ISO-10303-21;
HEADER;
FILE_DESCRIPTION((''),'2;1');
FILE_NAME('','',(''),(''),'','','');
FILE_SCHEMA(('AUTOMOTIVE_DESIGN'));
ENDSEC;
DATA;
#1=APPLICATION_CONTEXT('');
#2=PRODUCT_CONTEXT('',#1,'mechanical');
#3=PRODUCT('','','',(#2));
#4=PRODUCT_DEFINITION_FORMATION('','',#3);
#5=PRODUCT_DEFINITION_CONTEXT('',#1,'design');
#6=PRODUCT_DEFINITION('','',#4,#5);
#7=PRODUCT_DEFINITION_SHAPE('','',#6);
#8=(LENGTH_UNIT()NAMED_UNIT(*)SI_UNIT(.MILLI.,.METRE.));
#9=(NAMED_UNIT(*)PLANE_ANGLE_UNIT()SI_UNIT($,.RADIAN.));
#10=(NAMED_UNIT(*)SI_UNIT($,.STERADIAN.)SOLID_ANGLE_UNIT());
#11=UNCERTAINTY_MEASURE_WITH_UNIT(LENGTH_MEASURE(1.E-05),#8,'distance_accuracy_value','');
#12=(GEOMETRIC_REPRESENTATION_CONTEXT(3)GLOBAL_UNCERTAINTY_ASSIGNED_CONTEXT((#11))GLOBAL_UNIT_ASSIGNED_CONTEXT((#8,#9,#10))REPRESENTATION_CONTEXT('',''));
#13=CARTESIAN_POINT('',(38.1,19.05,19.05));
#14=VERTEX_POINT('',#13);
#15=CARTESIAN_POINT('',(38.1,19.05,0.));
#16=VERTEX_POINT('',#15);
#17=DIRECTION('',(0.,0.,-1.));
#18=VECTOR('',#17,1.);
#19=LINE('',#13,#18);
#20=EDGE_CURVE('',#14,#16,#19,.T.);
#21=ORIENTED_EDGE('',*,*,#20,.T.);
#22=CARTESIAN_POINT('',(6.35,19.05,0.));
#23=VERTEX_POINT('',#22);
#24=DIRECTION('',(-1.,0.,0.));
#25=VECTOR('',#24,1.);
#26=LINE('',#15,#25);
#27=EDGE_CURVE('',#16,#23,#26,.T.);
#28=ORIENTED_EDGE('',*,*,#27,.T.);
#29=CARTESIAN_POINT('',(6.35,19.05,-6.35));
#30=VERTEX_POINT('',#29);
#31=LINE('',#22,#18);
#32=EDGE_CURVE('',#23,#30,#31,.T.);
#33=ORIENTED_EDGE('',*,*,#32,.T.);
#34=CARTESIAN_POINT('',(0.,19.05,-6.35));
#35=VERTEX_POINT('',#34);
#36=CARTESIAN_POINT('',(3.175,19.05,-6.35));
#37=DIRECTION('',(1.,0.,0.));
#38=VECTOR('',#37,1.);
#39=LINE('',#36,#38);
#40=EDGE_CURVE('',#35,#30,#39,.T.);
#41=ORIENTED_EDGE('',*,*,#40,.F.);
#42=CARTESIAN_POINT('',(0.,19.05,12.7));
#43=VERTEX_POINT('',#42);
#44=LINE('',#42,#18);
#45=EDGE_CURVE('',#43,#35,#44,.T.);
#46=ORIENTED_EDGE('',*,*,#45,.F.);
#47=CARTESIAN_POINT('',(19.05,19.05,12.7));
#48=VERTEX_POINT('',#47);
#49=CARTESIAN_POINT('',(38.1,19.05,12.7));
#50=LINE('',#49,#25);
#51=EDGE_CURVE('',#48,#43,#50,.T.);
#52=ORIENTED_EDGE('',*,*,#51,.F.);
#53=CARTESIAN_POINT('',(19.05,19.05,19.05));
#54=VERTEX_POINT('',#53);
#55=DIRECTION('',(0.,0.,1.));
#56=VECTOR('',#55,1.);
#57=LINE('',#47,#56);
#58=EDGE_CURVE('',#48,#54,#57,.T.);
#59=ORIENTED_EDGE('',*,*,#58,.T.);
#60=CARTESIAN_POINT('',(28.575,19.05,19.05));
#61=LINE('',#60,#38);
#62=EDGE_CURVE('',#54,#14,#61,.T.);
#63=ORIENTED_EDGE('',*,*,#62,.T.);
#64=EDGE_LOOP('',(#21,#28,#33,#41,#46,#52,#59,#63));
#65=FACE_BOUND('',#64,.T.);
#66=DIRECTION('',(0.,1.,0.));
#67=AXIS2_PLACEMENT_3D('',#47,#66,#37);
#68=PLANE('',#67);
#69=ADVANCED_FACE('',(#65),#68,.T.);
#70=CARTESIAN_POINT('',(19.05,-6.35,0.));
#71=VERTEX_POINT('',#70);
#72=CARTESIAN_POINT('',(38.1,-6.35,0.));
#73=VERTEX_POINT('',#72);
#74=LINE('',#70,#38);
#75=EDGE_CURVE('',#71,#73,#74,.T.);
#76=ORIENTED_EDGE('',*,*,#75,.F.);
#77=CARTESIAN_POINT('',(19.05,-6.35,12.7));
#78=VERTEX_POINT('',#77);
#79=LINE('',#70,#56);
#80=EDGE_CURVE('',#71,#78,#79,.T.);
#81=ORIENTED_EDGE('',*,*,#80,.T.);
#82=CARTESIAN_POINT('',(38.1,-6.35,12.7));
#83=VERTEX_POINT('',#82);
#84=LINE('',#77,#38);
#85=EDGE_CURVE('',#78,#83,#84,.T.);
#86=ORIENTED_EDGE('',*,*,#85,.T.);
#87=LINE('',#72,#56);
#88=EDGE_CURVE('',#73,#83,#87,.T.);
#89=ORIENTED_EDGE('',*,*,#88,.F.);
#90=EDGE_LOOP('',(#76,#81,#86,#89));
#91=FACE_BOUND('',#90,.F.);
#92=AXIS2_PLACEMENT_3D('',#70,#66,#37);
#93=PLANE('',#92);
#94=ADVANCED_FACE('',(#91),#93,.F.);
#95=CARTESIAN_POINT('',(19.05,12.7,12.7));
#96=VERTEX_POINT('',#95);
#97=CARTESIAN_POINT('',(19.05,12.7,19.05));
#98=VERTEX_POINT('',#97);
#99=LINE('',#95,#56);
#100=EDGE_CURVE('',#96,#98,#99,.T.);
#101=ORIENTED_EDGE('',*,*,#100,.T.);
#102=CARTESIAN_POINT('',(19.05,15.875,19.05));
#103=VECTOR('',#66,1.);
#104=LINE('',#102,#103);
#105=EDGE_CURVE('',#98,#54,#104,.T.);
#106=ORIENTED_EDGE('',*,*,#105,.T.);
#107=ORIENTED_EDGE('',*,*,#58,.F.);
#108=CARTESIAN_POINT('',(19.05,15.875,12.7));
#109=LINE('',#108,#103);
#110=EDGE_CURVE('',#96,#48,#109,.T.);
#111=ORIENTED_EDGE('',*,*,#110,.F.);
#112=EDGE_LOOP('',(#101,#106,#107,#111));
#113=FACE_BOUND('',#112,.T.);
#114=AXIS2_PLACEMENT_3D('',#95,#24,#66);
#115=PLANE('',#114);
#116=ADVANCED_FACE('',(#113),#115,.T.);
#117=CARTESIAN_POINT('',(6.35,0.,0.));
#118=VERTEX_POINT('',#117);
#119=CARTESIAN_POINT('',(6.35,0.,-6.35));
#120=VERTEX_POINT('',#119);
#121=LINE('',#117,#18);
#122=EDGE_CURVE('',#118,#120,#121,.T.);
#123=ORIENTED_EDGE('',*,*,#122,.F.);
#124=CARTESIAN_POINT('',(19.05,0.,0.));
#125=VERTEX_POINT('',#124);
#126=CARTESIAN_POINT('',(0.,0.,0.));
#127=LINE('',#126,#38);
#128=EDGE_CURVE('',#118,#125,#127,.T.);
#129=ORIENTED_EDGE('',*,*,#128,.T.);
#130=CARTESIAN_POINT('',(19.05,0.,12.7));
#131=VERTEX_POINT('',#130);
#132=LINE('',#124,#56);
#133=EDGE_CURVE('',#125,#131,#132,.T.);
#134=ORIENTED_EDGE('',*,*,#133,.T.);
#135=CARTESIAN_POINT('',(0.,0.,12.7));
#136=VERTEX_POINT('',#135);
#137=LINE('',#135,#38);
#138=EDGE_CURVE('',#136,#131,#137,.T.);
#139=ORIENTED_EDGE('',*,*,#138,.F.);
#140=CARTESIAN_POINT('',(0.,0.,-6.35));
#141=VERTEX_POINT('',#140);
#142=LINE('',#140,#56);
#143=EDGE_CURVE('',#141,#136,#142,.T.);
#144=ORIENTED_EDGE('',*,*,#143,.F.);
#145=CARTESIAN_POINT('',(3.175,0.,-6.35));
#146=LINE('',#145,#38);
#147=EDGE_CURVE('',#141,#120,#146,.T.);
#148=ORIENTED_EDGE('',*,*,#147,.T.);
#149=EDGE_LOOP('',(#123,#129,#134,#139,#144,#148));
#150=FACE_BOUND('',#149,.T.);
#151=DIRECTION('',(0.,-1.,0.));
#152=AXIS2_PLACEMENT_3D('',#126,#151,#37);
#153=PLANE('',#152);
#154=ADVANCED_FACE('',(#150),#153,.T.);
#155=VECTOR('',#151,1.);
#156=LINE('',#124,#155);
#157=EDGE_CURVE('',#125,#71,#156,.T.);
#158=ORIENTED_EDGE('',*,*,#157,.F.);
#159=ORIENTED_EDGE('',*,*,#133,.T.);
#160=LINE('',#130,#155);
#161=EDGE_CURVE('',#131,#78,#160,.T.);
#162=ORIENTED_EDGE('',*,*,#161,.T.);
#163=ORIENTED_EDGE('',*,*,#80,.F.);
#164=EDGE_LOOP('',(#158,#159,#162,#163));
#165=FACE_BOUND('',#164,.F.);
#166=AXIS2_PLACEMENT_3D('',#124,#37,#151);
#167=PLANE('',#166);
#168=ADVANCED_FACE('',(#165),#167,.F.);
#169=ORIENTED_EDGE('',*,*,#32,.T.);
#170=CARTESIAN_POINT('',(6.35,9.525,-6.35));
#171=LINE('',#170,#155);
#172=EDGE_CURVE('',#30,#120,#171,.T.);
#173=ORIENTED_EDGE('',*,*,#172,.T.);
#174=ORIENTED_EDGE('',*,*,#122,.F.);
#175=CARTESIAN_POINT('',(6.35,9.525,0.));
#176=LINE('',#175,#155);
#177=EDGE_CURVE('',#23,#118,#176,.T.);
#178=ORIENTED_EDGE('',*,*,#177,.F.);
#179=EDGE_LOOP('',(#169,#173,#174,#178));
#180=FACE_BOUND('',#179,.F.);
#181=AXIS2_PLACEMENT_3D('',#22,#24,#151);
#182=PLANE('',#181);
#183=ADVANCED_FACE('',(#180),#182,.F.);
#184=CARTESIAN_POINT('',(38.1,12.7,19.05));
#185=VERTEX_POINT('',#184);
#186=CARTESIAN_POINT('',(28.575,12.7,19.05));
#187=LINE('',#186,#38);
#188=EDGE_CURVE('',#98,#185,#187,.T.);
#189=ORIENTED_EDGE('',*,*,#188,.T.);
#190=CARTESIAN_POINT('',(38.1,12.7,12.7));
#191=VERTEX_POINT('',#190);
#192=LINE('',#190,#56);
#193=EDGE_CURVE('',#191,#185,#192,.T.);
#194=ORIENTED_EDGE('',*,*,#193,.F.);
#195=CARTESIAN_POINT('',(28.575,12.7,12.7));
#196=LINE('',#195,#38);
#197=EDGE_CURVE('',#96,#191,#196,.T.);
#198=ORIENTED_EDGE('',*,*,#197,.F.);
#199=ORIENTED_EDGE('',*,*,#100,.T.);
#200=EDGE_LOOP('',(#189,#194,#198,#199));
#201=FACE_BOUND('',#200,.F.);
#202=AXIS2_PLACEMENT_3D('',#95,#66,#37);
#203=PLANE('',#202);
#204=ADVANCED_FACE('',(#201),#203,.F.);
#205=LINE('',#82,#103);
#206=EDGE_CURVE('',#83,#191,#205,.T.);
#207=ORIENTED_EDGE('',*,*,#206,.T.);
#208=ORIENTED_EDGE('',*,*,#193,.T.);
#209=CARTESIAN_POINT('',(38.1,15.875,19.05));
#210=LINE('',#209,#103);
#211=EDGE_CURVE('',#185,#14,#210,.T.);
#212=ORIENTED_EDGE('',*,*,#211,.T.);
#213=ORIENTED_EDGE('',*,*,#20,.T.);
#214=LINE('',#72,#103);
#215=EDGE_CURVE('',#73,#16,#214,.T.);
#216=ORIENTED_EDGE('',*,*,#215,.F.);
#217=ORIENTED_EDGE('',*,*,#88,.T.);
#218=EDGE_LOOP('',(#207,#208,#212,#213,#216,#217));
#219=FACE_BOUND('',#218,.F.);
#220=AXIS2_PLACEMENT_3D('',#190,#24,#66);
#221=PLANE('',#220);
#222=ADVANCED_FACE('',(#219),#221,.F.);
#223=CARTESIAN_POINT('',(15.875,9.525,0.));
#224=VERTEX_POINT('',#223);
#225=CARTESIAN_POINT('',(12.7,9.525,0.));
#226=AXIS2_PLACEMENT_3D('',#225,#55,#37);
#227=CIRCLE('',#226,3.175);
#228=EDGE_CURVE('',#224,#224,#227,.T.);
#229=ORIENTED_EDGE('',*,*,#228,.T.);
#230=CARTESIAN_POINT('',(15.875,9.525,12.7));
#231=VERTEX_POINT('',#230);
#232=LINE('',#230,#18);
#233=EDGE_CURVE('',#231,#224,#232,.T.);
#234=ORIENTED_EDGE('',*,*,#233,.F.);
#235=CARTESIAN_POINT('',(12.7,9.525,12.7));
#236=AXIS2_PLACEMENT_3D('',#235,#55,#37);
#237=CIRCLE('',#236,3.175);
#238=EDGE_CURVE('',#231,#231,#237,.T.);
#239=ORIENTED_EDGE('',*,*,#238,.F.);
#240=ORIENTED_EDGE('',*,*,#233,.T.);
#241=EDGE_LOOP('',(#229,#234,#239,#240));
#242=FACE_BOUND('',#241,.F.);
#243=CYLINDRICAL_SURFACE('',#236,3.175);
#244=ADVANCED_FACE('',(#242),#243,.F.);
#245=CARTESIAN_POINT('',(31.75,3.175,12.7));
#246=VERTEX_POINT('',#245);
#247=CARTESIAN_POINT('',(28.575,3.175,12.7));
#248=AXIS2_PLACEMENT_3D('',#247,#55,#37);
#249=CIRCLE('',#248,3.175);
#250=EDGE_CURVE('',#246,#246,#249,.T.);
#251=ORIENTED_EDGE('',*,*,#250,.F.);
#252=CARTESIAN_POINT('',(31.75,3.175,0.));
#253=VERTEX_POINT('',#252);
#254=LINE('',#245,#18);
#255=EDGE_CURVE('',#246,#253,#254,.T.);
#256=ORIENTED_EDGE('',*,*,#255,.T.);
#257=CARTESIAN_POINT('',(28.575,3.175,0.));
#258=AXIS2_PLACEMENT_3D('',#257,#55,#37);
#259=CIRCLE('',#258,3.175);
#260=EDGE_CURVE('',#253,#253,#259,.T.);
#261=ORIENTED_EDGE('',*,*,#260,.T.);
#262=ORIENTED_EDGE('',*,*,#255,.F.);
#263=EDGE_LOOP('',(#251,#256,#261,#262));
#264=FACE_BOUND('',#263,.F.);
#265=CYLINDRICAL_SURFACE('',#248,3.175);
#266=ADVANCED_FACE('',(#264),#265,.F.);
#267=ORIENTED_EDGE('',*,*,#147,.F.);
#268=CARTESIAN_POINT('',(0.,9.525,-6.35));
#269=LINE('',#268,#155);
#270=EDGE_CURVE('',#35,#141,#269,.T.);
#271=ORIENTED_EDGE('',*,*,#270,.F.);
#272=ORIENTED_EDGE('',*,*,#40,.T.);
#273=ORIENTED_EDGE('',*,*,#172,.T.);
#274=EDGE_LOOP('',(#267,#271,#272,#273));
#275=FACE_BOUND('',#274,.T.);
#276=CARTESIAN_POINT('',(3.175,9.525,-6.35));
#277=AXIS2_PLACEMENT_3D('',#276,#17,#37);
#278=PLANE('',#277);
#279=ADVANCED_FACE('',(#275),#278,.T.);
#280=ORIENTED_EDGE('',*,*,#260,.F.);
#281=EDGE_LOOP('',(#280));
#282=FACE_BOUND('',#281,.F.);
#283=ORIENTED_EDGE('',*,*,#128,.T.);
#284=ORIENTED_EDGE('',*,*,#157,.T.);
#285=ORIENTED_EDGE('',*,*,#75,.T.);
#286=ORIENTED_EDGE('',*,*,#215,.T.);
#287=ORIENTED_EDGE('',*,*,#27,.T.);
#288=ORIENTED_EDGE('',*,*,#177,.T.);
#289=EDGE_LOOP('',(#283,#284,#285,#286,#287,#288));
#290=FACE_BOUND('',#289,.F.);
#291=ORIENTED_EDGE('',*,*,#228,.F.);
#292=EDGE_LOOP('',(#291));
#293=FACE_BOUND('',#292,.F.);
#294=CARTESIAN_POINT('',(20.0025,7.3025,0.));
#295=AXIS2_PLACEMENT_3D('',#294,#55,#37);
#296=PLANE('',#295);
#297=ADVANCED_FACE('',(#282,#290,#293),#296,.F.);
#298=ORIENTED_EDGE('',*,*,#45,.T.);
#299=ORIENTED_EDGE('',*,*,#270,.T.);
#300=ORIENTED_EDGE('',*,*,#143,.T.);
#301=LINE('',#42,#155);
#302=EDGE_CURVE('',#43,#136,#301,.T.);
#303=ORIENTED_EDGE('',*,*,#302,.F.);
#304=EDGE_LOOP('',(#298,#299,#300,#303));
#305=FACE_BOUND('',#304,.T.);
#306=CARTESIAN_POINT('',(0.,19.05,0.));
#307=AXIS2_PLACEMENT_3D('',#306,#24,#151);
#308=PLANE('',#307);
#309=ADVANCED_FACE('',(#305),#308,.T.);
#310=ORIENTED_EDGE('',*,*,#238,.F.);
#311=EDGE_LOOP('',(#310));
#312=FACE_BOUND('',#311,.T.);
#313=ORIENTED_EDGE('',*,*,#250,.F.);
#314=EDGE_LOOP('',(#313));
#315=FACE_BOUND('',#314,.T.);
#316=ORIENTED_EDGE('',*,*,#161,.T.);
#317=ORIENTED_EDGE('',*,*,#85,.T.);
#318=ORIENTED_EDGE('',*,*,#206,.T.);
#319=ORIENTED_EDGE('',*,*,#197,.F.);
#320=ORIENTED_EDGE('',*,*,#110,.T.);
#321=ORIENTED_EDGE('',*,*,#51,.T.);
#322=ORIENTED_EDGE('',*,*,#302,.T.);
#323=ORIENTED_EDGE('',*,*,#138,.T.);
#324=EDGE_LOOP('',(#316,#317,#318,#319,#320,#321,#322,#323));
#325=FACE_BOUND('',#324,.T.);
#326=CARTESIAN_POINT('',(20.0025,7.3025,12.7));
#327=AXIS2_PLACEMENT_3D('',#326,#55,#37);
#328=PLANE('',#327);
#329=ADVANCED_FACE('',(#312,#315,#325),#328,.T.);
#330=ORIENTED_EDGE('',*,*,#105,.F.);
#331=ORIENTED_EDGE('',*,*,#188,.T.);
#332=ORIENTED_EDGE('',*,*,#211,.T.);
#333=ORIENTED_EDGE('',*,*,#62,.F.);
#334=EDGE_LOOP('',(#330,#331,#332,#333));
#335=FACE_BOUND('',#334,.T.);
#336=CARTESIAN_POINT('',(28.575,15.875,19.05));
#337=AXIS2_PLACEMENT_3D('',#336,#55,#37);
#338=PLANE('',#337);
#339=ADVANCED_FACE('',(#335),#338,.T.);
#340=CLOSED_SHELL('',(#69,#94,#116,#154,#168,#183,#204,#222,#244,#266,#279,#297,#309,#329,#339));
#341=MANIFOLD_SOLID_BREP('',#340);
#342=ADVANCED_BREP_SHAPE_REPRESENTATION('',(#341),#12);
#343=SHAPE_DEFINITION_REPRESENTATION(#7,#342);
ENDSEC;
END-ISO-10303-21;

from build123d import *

# Parameters (mm, degrees)
F1_DEPTH = 12.7
F2_W     = 6.35
F2_H     = 19.05
F3_DEPTH = 6.35
F4_W     = 19.05
F4_H     = 6.35
F5_DEPTH = 6.35
F6_R     = 3.175
F7_DEPTH = 25.4
F8_DEPTH = 25.4


with BuildPart() as f1:
    # F0 (on Top) → F1 (new body)
    with BuildSketch(Plane.XY):
        Polygon((0, 19.05), (0, 0), (19.05, 0), (19.05, -6.35), (38.1, -6.35), (38.1, 19.05), align=None)
    extrude(amount=F1_DEPTH)

    # F2 (on face) → F3 (join)
    with BuildSketch(Plane(origin=(0, 0, 0), x_dir=(1, 0, 0), z_dir=(0, 0, -1))):
        with Locations((3.175, -9.525)):
            Rectangle(F2_W, F2_H)
    extrude(amount=F3_DEPTH)

    # F4 (on face) → F5 (join)
    with BuildSketch(Plane.XY.offset(12.7)):
        with Locations((28.575, 15.875)):
            Rectangle(F4_W, F4_H)
    extrude(amount=F5_DEPTH)

    # F6 (on face) → F7 (cut)
    with BuildSketch(Plane.XY.offset(12.7)):
        with Locations((28.575, 3.175)):
            Circle(F6_R)
    extrude(amount=-F7_DEPTH, mode=Mode.SUBTRACT)

    # F6 (on face) → F8 (cut)
    with BuildSketch(Plane.XY.offset(12.7)):
        with Locations((12.7, 9.525)):
            Circle(F6_R)
    extrude(amount=-F8_DEPTH, mode=Mode.SUBTRACT)


solid = f1.part
